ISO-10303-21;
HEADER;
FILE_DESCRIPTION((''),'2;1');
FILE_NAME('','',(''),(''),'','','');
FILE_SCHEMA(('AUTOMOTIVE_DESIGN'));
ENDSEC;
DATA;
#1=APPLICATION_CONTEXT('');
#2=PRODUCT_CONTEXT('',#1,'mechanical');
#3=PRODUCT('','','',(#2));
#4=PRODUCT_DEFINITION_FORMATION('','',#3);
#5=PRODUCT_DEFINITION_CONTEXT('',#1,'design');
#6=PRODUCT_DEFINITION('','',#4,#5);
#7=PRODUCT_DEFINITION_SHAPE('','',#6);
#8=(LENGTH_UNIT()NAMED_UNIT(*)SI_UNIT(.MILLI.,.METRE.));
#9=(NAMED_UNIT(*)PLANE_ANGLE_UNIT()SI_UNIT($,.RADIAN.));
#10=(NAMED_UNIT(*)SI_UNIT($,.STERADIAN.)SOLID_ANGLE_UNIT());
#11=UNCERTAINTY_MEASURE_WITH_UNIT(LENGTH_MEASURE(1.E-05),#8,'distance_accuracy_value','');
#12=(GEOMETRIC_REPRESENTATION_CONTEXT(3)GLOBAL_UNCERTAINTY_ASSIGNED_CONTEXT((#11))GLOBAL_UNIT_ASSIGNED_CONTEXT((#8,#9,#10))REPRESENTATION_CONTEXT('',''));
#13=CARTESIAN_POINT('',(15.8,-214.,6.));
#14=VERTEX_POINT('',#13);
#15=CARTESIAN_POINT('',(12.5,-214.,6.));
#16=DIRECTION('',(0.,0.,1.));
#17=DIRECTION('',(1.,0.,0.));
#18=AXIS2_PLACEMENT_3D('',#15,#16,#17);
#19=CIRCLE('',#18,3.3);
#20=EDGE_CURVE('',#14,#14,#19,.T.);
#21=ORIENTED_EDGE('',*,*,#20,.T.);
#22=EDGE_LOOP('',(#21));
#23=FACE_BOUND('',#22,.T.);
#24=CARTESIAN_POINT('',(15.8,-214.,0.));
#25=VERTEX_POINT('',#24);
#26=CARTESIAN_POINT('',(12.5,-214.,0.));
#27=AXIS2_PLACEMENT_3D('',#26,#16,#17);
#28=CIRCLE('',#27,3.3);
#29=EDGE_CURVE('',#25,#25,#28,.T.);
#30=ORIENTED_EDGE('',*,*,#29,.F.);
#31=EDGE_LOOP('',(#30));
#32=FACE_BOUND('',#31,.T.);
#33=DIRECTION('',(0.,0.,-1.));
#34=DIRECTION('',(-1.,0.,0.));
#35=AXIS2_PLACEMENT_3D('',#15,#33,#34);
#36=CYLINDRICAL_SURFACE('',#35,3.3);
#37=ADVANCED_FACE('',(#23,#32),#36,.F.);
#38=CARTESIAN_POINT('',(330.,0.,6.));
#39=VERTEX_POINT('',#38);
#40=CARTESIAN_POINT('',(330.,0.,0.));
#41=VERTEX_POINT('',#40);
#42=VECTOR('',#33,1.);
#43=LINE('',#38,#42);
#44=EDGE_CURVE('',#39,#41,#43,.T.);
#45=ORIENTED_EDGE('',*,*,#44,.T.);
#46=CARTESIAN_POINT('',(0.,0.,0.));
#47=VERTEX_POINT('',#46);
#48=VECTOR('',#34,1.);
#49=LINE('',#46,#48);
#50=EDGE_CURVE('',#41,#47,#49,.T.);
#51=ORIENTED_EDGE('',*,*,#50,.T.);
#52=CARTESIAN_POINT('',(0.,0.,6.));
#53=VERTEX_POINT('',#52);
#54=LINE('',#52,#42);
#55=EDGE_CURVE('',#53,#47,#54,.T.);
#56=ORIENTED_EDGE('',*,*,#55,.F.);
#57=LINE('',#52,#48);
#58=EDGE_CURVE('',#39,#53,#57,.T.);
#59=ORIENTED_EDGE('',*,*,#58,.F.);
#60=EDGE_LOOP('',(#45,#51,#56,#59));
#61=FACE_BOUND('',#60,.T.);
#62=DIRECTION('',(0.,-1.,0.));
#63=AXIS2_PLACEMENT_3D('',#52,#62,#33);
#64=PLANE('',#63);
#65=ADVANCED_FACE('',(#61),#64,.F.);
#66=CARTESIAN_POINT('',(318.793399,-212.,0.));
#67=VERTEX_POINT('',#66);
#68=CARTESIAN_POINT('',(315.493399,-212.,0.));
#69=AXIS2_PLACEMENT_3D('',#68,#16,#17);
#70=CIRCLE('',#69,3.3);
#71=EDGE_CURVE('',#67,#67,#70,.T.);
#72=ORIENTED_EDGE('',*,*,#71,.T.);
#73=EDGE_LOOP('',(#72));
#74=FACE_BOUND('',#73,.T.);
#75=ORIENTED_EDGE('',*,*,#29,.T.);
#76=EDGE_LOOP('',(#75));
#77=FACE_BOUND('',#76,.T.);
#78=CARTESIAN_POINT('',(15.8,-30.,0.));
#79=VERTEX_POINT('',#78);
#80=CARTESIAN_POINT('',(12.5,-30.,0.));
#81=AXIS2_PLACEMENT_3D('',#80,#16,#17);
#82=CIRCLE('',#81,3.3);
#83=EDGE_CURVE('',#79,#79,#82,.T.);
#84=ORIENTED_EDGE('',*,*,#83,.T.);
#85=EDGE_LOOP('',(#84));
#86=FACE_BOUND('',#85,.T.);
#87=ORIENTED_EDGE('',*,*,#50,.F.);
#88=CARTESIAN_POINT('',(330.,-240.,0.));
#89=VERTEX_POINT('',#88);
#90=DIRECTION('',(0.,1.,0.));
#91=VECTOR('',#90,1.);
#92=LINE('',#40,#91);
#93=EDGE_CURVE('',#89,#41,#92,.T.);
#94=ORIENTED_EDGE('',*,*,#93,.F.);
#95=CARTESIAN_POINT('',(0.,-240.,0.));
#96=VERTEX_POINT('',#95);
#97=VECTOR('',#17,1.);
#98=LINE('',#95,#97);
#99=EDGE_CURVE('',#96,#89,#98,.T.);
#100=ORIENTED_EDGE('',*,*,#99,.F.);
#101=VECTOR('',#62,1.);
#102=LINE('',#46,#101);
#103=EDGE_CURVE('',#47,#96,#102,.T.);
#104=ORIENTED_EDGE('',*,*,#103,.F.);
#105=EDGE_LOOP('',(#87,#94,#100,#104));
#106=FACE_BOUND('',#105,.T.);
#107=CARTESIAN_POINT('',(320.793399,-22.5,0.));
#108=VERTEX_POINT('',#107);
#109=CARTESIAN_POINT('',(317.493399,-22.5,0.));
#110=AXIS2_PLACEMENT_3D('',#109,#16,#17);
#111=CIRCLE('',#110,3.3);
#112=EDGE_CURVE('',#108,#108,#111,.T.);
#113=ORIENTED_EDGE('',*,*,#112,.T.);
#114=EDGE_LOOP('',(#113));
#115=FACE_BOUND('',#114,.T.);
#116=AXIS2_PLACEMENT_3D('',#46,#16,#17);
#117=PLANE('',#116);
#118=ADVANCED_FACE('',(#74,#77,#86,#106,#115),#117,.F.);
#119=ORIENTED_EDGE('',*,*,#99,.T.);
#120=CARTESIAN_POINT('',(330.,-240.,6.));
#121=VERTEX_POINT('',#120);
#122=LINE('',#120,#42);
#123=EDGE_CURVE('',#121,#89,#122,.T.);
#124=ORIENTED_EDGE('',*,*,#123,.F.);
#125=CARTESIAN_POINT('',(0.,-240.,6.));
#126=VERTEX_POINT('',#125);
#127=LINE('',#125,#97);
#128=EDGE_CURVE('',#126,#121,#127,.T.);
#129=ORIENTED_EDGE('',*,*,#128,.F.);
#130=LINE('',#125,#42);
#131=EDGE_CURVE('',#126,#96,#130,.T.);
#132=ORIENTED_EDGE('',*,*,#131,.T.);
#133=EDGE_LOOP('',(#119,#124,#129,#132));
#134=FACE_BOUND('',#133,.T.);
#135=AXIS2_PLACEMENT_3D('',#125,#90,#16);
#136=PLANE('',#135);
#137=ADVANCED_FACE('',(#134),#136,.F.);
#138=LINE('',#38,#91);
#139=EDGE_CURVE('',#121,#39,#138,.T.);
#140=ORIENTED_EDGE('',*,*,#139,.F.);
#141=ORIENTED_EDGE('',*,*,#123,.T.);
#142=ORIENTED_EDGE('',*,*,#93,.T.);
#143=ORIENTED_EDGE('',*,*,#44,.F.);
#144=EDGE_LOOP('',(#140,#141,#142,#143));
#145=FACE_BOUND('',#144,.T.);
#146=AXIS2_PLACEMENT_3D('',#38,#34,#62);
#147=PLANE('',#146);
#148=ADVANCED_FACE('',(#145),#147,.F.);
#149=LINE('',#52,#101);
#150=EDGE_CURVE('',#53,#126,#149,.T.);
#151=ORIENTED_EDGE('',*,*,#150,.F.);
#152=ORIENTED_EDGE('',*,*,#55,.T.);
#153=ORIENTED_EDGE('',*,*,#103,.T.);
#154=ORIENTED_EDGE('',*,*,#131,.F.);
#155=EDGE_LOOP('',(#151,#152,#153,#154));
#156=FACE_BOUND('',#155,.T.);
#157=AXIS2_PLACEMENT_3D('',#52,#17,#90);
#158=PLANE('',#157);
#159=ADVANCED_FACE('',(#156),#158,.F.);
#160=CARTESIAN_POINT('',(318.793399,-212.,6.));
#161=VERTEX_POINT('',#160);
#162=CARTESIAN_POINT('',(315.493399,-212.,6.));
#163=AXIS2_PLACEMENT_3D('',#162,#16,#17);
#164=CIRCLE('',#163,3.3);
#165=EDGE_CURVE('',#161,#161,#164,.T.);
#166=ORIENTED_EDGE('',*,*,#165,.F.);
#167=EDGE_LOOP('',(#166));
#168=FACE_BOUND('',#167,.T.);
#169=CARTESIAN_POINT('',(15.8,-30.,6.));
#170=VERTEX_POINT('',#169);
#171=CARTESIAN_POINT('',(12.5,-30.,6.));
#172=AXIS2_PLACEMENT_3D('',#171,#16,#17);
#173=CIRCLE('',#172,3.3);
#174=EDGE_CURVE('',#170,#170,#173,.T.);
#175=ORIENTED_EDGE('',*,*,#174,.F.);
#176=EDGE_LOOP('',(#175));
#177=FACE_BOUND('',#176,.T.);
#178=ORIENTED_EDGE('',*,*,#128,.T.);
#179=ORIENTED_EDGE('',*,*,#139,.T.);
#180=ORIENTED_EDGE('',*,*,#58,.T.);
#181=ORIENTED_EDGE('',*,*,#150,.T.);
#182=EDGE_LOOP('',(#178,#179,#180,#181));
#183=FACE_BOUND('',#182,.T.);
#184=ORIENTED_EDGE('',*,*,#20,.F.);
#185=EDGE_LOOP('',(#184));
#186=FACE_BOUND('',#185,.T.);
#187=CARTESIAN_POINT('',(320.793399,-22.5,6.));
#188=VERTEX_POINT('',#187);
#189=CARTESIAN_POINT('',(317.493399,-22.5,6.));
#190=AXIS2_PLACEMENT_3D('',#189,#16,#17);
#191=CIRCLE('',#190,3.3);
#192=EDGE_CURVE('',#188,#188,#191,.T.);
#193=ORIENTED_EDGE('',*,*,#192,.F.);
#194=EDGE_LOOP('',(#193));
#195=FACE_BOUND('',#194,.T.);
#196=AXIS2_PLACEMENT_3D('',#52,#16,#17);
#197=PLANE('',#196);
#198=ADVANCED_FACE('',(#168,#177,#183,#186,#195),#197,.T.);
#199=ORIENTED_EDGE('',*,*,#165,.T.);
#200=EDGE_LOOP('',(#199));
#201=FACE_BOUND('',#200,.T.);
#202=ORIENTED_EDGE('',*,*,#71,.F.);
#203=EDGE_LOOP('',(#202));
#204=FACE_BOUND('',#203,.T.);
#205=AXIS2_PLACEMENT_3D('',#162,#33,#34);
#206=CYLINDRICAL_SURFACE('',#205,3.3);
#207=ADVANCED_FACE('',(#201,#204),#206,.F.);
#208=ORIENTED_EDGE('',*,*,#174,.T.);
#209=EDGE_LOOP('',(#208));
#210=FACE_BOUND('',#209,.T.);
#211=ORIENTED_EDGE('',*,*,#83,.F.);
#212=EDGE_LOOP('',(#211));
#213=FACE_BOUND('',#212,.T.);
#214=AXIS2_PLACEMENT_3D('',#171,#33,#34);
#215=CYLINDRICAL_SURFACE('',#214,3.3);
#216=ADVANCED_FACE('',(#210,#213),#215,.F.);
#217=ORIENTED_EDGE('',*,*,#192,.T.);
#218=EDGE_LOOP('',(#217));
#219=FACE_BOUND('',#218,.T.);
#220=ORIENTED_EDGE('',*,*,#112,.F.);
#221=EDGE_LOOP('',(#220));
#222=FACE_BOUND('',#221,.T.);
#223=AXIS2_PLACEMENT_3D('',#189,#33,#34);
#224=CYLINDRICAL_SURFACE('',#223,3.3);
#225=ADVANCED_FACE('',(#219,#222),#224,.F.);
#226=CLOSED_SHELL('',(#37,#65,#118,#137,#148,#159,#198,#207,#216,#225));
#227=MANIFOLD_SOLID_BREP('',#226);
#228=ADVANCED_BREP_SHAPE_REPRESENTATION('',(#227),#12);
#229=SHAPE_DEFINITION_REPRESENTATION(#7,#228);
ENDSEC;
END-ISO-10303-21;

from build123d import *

# Parameters (mm, degrees)
SKETCH_1_W      = 330
SKETCH_1_H      = 240
SKETCH_1_R      = 3.3
EXTRUDE_1_DEPTH = 6


with BuildPart() as part:
    # 草图1 → 凸台-拉伸1 (new body)
    with BuildSketch(Plane.XY):
        with Locations((165, -120)):
            Rectangle(SKETCH_1_W, SKETCH_1_H)
        with Locations((12.5, -30)):
            Circle(SKETCH_1_R, mode=Mode.SUBTRACT)
        with Locations((315.493399268, -212)):
            Circle(SKETCH_1_R, mode=Mode.SUBTRACT)
        with Locations((12.5, -214)):
            Circle(SKETCH_1_R, mode=Mode.SUBTRACT)
        with Locations((317.493399268, -22.5)):
            Circle(SKETCH_1_R, mode=Mode.SUBTRACT)
    extrude(amount=EXTRUDE_1_DEPTH)


solid = part.part
